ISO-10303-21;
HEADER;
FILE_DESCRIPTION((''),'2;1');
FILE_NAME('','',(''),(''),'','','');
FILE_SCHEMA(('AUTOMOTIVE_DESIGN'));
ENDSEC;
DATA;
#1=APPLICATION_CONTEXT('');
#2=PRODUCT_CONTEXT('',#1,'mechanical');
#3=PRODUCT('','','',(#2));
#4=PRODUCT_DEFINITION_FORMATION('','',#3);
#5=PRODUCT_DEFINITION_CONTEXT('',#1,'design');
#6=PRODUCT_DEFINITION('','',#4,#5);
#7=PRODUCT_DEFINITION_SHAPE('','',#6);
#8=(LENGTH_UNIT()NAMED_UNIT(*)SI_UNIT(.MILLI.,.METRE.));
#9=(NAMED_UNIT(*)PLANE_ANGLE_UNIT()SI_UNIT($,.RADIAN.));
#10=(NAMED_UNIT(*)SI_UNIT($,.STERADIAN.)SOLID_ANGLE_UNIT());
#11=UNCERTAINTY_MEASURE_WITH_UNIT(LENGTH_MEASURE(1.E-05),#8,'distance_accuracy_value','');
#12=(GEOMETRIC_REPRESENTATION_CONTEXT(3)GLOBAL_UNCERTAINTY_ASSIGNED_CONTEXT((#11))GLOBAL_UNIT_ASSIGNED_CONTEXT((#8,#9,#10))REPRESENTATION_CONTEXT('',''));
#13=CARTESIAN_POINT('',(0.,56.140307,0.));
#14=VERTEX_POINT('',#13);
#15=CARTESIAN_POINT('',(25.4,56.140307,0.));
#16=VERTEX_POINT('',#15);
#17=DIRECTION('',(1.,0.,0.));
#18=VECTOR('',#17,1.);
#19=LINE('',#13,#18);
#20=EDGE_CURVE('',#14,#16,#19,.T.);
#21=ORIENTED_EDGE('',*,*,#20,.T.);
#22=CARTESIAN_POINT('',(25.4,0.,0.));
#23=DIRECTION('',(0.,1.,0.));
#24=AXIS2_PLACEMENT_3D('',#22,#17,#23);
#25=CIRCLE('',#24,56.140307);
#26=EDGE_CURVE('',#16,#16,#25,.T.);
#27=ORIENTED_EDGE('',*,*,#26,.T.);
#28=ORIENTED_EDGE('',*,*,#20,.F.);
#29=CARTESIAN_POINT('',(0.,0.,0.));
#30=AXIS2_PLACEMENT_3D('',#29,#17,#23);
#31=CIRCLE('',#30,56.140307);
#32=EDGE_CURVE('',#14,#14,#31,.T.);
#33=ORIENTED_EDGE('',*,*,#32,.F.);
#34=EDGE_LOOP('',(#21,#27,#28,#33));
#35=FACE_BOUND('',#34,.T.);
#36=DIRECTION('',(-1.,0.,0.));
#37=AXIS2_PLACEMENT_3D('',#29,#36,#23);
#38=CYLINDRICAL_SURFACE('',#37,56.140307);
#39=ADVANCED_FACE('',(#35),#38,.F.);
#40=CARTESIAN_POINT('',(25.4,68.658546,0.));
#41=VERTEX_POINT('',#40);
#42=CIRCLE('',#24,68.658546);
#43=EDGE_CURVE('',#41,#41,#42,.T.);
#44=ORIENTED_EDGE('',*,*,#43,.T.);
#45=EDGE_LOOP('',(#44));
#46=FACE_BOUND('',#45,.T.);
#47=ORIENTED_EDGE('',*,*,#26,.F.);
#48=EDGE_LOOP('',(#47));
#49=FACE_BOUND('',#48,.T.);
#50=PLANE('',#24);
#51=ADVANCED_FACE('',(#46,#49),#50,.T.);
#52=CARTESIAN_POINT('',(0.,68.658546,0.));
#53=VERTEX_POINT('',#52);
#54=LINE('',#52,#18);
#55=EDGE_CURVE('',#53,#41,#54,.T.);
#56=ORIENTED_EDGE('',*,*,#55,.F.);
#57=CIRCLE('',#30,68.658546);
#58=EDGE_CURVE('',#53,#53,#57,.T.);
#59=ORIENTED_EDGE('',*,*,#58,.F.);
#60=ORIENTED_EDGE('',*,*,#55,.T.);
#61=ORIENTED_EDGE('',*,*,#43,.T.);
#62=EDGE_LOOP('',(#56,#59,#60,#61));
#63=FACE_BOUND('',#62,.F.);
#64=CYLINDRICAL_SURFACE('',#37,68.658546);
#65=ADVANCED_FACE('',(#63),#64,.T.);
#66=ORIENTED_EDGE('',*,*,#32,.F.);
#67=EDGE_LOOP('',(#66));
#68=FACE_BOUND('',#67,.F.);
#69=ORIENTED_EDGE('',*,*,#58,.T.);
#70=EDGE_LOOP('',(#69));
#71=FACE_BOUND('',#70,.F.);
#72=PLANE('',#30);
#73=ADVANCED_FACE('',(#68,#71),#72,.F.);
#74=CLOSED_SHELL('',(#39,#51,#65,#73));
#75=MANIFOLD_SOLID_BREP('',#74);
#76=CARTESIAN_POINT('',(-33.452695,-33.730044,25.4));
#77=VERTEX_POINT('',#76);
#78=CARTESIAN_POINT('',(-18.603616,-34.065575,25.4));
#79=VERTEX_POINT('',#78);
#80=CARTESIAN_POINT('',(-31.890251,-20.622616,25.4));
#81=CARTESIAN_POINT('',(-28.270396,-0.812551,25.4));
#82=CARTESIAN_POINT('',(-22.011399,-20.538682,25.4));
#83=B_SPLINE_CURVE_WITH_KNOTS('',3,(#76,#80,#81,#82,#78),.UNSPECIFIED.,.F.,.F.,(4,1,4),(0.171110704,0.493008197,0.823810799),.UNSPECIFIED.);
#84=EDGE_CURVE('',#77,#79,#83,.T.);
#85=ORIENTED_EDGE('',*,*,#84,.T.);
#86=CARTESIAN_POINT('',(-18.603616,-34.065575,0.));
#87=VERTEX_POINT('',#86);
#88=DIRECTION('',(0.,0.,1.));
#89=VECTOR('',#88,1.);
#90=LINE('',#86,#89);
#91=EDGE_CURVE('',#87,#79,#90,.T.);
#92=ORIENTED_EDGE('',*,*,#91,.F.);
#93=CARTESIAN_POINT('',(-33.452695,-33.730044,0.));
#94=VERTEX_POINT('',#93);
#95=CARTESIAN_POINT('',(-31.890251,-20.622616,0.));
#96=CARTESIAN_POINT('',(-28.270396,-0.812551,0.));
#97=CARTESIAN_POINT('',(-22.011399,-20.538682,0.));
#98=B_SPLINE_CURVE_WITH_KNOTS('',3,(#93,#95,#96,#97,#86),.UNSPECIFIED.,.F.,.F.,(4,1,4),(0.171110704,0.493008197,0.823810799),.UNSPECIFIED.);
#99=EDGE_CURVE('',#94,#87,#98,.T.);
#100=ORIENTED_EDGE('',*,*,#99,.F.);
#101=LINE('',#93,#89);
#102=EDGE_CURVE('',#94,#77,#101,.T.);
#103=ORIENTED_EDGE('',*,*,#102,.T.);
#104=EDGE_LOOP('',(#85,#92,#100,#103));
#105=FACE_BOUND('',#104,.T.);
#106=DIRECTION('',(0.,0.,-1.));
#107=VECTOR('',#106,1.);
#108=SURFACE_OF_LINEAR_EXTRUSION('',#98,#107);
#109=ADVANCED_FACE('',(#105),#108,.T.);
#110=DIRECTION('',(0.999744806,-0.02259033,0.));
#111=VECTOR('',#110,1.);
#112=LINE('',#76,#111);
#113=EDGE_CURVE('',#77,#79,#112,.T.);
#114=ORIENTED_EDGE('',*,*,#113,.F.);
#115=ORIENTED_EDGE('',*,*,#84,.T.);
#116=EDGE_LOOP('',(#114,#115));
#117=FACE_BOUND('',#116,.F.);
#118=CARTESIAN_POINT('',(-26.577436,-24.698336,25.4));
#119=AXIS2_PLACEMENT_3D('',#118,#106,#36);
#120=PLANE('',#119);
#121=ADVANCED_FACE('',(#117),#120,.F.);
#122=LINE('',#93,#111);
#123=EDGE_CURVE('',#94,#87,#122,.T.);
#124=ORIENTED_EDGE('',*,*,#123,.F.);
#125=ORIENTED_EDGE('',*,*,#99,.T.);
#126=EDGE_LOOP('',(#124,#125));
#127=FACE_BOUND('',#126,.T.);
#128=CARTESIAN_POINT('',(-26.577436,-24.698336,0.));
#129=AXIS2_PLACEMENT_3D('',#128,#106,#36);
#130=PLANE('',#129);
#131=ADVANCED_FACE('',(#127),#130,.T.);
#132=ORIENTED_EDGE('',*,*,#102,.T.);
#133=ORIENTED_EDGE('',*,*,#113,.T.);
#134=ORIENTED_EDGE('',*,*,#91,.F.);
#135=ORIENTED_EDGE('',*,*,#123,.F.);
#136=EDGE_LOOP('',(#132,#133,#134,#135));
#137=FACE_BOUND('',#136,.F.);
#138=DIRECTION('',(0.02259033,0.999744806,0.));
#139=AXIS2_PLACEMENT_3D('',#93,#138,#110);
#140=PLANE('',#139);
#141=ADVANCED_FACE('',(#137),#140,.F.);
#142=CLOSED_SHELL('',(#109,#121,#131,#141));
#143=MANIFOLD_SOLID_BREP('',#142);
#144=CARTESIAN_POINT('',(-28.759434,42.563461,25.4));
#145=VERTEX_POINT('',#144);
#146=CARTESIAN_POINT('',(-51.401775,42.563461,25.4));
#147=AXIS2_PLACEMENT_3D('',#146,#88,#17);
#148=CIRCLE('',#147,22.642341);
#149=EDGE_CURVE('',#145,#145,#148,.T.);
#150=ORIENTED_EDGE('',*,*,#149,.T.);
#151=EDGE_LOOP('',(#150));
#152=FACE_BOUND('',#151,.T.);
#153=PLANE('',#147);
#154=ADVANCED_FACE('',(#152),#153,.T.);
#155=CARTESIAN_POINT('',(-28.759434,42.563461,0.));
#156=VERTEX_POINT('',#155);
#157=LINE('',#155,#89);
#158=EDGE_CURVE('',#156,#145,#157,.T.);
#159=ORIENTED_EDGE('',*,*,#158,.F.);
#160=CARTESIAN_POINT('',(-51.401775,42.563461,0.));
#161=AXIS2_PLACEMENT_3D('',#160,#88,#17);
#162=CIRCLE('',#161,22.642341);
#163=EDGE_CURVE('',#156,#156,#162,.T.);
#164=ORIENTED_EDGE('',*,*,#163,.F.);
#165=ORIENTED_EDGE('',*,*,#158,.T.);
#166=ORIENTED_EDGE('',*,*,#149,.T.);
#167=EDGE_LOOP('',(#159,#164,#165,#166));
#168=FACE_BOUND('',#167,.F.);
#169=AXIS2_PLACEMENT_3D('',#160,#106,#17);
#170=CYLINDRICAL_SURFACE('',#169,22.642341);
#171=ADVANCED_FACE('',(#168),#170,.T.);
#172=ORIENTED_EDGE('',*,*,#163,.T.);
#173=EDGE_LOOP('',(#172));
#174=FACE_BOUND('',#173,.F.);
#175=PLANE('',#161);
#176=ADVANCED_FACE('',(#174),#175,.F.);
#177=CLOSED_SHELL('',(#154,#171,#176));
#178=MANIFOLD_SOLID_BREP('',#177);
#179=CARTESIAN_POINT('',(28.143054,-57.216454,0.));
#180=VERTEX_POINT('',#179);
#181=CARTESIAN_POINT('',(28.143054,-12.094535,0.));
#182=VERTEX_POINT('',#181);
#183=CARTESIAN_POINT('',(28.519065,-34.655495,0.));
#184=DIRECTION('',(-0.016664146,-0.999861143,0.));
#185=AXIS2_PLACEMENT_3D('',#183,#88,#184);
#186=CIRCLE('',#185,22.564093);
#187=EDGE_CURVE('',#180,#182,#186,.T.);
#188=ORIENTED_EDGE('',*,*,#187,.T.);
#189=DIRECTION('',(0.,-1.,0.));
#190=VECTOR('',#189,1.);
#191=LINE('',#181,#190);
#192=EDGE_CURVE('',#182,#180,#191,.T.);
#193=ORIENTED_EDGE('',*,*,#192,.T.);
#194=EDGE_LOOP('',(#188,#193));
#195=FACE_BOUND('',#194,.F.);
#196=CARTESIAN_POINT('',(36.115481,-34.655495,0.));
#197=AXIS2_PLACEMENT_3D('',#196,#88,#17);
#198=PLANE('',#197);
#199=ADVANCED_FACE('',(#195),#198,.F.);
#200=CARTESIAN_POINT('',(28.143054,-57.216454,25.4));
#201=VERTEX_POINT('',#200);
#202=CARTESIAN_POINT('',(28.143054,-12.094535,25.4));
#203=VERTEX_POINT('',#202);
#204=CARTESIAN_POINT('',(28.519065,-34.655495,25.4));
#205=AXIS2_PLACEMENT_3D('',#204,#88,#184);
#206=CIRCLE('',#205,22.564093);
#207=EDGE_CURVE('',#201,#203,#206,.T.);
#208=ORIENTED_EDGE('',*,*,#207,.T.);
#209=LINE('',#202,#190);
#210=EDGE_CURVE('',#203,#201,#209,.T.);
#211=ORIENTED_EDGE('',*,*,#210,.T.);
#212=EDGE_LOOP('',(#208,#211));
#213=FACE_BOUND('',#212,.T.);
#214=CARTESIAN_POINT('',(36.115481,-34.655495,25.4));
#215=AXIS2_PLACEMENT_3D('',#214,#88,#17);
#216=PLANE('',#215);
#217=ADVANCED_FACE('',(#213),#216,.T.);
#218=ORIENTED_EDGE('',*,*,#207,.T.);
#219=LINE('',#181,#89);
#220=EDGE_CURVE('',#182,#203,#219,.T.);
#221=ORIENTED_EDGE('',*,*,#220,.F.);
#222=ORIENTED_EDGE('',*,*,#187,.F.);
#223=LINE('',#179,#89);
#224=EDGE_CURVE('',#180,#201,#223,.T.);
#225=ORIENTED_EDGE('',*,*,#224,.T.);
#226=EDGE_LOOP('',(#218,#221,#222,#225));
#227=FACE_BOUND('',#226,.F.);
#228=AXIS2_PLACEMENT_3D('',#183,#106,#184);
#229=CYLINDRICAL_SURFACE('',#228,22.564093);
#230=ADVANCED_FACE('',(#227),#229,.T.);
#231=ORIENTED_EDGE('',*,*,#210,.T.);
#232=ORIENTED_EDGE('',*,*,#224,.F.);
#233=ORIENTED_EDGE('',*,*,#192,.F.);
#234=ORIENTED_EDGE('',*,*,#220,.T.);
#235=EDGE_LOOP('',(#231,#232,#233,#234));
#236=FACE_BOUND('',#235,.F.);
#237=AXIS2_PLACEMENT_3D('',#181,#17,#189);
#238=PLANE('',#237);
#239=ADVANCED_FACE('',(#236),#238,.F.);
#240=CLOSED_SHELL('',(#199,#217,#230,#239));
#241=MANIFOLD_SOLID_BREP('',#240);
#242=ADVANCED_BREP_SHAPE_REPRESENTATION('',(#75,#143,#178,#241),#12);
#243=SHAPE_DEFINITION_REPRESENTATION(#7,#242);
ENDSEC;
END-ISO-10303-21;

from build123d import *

# Parameters (mm, degrees)
F0_R     = 22.6423411402
F1_DEPTH = 25.4
F2_R     = 68.6585459697
F2_R_2   = 56.1403072128
F3_DEPTH = 25.4


with BuildPart() as f1:
    # F0 (on Top) → F1 (new body)
    with BuildSketch(Plane.XY):
        with Locations((-51.4017753303, 42.5634607673)):
            Circle(F0_R)
    extrude(amount=F1_DEPTH)


with BuildPart() as f1b:
    # F0 (on Top) → F1, piece 2 (new body)
    with BuildSketch(Plane.XY):
        with BuildLine():
            add(Edge.make_bspline(
                [(-33.4526954697, -33.7300439706), (-31.8902508459, -20.6226160201), (-28.2703961578, -0.8125506468), (-22.0113989405, -20.5386821895), (-18.603615844, -34.0655751986)],
                knots=[0.1711107042, 0.1711107042, 0.1711107042, 0.1711107042, 0.4930081966, 0.8238107987, 0.8238107987, 0.8238107987, 0.8238107987], degree=3))
            Line((-33.4526954697, -33.7300439706), (-18.603615844, -34.0655751986))
        make_face()
    extrude(amount=F1_DEPTH)


with BuildPart() as f1c:
    # F0 (on Top) → F1, piece 3 (new body)
    with BuildSketch(Plane.XY):
        with BuildLine():
            ThreePointArc((28.1430538744, -57.2164542973), (51.083158057, -34.6554946154), (28.1430538744, -12.0945349336))
            Line((28.1430538744, -12.0945349336), (28.1430538744, -57.2164542973))
        make_face()
    extrude(amount=F1_DEPTH)


with BuildPart() as f3:
    # F2 (on Right) → F3 (new body)
    with BuildSketch(Plane.YZ):
        Circle(F2_R)
        Circle(F2_R_2, mode=Mode.SUBTRACT)
    extrude(amount=F3_DEPTH)


solid = Compound([f1.part, f1b.part, f1c.part, f3.part])
